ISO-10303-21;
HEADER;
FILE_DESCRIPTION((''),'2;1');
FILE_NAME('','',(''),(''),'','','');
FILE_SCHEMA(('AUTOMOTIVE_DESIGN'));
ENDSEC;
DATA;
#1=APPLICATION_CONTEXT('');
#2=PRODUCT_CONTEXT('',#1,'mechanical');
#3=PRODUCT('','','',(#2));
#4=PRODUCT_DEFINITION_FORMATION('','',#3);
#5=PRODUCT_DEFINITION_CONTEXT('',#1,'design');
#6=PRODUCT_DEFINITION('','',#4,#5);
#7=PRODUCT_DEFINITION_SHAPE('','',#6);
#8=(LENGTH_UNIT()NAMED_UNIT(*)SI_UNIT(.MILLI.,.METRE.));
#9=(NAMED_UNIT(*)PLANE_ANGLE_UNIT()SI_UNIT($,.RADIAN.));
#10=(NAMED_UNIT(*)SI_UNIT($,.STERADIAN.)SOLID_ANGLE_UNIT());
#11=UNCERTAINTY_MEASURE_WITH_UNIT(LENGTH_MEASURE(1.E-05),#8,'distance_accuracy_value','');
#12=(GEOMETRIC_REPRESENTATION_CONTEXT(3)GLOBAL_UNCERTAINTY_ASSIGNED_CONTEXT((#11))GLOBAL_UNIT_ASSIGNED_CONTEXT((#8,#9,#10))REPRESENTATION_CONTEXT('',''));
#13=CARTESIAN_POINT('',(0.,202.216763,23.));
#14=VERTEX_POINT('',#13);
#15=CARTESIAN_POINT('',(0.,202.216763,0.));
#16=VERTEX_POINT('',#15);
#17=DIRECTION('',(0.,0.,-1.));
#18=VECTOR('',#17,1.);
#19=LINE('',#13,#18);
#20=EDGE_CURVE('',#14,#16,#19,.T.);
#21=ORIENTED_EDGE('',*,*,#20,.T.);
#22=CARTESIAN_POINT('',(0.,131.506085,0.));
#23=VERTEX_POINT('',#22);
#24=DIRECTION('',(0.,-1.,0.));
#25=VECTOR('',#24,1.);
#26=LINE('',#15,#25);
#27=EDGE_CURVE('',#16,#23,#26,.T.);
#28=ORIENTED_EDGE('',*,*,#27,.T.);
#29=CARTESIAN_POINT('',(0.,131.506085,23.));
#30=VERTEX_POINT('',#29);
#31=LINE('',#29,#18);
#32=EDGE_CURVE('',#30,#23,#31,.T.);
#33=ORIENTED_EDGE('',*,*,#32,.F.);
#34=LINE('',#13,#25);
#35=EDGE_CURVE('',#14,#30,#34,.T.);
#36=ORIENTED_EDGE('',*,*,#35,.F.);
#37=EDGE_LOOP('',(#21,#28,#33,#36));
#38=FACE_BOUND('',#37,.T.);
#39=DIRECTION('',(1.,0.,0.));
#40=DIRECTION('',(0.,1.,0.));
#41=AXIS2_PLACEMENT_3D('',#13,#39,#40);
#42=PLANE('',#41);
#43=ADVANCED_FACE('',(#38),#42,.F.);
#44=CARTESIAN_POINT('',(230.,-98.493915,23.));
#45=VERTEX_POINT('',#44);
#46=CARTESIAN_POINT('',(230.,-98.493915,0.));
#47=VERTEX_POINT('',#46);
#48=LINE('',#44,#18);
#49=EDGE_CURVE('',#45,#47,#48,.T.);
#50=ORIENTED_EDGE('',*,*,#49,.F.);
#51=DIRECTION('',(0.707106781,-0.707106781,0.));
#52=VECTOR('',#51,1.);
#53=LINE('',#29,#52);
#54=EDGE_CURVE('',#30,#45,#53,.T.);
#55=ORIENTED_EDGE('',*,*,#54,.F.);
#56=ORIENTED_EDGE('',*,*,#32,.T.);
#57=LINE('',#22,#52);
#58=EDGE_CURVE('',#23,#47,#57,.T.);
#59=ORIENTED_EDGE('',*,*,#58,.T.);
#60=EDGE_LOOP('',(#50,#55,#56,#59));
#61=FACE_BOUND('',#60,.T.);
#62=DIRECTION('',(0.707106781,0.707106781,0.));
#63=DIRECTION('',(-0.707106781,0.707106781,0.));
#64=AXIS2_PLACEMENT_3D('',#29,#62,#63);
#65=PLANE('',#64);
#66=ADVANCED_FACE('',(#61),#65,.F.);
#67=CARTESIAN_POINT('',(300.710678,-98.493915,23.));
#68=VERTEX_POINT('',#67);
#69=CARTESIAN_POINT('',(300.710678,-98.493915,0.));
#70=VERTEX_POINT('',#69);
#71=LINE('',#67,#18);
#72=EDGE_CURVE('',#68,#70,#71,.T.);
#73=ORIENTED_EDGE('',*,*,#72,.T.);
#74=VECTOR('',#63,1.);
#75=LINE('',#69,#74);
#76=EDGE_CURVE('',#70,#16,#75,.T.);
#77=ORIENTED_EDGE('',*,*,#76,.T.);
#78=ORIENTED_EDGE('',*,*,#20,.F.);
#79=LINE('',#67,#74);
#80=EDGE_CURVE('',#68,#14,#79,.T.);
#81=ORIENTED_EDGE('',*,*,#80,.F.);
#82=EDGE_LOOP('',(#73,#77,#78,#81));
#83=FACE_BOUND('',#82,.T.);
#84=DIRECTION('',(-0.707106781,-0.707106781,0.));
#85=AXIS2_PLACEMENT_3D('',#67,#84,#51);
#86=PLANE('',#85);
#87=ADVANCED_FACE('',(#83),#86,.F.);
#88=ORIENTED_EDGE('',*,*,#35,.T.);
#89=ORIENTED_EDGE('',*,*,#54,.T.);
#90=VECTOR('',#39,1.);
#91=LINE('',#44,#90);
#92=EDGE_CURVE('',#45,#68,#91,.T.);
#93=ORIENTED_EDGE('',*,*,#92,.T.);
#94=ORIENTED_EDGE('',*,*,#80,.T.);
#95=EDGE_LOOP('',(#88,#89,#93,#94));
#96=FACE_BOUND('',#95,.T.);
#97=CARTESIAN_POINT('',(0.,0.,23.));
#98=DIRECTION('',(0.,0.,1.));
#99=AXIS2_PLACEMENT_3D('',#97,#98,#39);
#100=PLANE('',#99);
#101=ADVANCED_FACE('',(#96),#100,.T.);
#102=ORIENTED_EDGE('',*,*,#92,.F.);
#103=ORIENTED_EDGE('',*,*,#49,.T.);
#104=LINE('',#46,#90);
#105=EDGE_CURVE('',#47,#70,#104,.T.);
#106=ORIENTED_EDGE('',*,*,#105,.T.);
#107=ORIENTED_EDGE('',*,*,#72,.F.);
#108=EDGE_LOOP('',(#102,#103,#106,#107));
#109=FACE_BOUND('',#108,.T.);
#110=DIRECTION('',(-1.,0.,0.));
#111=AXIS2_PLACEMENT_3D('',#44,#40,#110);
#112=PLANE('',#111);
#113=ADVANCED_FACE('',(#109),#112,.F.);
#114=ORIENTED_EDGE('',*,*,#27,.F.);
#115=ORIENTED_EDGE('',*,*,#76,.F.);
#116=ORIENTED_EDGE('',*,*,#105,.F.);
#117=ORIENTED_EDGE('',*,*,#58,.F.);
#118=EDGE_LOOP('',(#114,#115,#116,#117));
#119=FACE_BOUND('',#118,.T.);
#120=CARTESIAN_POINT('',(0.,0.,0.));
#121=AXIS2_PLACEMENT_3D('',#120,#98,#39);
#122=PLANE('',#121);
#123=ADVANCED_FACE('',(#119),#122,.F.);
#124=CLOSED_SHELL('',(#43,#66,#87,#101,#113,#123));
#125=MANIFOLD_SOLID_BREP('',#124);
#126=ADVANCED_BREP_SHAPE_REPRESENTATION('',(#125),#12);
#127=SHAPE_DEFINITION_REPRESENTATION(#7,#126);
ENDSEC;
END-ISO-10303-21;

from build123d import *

# Parameters (mm, degrees)
BOSS_EXTRUDE1_DEPTH = 23


with BuildPart() as part:
    # Sketch1 → Boss-Extrude1 (new body)
    with BuildSketch(Plane.XY):
        Polygon((0, 131.506084972), (230, -98.493915028), (300.710678119, -98.493915028), (0, 202.216763091), align=None)
    extrude(amount=BOSS_EXTRUDE1_DEPTH)


solid = part.part
